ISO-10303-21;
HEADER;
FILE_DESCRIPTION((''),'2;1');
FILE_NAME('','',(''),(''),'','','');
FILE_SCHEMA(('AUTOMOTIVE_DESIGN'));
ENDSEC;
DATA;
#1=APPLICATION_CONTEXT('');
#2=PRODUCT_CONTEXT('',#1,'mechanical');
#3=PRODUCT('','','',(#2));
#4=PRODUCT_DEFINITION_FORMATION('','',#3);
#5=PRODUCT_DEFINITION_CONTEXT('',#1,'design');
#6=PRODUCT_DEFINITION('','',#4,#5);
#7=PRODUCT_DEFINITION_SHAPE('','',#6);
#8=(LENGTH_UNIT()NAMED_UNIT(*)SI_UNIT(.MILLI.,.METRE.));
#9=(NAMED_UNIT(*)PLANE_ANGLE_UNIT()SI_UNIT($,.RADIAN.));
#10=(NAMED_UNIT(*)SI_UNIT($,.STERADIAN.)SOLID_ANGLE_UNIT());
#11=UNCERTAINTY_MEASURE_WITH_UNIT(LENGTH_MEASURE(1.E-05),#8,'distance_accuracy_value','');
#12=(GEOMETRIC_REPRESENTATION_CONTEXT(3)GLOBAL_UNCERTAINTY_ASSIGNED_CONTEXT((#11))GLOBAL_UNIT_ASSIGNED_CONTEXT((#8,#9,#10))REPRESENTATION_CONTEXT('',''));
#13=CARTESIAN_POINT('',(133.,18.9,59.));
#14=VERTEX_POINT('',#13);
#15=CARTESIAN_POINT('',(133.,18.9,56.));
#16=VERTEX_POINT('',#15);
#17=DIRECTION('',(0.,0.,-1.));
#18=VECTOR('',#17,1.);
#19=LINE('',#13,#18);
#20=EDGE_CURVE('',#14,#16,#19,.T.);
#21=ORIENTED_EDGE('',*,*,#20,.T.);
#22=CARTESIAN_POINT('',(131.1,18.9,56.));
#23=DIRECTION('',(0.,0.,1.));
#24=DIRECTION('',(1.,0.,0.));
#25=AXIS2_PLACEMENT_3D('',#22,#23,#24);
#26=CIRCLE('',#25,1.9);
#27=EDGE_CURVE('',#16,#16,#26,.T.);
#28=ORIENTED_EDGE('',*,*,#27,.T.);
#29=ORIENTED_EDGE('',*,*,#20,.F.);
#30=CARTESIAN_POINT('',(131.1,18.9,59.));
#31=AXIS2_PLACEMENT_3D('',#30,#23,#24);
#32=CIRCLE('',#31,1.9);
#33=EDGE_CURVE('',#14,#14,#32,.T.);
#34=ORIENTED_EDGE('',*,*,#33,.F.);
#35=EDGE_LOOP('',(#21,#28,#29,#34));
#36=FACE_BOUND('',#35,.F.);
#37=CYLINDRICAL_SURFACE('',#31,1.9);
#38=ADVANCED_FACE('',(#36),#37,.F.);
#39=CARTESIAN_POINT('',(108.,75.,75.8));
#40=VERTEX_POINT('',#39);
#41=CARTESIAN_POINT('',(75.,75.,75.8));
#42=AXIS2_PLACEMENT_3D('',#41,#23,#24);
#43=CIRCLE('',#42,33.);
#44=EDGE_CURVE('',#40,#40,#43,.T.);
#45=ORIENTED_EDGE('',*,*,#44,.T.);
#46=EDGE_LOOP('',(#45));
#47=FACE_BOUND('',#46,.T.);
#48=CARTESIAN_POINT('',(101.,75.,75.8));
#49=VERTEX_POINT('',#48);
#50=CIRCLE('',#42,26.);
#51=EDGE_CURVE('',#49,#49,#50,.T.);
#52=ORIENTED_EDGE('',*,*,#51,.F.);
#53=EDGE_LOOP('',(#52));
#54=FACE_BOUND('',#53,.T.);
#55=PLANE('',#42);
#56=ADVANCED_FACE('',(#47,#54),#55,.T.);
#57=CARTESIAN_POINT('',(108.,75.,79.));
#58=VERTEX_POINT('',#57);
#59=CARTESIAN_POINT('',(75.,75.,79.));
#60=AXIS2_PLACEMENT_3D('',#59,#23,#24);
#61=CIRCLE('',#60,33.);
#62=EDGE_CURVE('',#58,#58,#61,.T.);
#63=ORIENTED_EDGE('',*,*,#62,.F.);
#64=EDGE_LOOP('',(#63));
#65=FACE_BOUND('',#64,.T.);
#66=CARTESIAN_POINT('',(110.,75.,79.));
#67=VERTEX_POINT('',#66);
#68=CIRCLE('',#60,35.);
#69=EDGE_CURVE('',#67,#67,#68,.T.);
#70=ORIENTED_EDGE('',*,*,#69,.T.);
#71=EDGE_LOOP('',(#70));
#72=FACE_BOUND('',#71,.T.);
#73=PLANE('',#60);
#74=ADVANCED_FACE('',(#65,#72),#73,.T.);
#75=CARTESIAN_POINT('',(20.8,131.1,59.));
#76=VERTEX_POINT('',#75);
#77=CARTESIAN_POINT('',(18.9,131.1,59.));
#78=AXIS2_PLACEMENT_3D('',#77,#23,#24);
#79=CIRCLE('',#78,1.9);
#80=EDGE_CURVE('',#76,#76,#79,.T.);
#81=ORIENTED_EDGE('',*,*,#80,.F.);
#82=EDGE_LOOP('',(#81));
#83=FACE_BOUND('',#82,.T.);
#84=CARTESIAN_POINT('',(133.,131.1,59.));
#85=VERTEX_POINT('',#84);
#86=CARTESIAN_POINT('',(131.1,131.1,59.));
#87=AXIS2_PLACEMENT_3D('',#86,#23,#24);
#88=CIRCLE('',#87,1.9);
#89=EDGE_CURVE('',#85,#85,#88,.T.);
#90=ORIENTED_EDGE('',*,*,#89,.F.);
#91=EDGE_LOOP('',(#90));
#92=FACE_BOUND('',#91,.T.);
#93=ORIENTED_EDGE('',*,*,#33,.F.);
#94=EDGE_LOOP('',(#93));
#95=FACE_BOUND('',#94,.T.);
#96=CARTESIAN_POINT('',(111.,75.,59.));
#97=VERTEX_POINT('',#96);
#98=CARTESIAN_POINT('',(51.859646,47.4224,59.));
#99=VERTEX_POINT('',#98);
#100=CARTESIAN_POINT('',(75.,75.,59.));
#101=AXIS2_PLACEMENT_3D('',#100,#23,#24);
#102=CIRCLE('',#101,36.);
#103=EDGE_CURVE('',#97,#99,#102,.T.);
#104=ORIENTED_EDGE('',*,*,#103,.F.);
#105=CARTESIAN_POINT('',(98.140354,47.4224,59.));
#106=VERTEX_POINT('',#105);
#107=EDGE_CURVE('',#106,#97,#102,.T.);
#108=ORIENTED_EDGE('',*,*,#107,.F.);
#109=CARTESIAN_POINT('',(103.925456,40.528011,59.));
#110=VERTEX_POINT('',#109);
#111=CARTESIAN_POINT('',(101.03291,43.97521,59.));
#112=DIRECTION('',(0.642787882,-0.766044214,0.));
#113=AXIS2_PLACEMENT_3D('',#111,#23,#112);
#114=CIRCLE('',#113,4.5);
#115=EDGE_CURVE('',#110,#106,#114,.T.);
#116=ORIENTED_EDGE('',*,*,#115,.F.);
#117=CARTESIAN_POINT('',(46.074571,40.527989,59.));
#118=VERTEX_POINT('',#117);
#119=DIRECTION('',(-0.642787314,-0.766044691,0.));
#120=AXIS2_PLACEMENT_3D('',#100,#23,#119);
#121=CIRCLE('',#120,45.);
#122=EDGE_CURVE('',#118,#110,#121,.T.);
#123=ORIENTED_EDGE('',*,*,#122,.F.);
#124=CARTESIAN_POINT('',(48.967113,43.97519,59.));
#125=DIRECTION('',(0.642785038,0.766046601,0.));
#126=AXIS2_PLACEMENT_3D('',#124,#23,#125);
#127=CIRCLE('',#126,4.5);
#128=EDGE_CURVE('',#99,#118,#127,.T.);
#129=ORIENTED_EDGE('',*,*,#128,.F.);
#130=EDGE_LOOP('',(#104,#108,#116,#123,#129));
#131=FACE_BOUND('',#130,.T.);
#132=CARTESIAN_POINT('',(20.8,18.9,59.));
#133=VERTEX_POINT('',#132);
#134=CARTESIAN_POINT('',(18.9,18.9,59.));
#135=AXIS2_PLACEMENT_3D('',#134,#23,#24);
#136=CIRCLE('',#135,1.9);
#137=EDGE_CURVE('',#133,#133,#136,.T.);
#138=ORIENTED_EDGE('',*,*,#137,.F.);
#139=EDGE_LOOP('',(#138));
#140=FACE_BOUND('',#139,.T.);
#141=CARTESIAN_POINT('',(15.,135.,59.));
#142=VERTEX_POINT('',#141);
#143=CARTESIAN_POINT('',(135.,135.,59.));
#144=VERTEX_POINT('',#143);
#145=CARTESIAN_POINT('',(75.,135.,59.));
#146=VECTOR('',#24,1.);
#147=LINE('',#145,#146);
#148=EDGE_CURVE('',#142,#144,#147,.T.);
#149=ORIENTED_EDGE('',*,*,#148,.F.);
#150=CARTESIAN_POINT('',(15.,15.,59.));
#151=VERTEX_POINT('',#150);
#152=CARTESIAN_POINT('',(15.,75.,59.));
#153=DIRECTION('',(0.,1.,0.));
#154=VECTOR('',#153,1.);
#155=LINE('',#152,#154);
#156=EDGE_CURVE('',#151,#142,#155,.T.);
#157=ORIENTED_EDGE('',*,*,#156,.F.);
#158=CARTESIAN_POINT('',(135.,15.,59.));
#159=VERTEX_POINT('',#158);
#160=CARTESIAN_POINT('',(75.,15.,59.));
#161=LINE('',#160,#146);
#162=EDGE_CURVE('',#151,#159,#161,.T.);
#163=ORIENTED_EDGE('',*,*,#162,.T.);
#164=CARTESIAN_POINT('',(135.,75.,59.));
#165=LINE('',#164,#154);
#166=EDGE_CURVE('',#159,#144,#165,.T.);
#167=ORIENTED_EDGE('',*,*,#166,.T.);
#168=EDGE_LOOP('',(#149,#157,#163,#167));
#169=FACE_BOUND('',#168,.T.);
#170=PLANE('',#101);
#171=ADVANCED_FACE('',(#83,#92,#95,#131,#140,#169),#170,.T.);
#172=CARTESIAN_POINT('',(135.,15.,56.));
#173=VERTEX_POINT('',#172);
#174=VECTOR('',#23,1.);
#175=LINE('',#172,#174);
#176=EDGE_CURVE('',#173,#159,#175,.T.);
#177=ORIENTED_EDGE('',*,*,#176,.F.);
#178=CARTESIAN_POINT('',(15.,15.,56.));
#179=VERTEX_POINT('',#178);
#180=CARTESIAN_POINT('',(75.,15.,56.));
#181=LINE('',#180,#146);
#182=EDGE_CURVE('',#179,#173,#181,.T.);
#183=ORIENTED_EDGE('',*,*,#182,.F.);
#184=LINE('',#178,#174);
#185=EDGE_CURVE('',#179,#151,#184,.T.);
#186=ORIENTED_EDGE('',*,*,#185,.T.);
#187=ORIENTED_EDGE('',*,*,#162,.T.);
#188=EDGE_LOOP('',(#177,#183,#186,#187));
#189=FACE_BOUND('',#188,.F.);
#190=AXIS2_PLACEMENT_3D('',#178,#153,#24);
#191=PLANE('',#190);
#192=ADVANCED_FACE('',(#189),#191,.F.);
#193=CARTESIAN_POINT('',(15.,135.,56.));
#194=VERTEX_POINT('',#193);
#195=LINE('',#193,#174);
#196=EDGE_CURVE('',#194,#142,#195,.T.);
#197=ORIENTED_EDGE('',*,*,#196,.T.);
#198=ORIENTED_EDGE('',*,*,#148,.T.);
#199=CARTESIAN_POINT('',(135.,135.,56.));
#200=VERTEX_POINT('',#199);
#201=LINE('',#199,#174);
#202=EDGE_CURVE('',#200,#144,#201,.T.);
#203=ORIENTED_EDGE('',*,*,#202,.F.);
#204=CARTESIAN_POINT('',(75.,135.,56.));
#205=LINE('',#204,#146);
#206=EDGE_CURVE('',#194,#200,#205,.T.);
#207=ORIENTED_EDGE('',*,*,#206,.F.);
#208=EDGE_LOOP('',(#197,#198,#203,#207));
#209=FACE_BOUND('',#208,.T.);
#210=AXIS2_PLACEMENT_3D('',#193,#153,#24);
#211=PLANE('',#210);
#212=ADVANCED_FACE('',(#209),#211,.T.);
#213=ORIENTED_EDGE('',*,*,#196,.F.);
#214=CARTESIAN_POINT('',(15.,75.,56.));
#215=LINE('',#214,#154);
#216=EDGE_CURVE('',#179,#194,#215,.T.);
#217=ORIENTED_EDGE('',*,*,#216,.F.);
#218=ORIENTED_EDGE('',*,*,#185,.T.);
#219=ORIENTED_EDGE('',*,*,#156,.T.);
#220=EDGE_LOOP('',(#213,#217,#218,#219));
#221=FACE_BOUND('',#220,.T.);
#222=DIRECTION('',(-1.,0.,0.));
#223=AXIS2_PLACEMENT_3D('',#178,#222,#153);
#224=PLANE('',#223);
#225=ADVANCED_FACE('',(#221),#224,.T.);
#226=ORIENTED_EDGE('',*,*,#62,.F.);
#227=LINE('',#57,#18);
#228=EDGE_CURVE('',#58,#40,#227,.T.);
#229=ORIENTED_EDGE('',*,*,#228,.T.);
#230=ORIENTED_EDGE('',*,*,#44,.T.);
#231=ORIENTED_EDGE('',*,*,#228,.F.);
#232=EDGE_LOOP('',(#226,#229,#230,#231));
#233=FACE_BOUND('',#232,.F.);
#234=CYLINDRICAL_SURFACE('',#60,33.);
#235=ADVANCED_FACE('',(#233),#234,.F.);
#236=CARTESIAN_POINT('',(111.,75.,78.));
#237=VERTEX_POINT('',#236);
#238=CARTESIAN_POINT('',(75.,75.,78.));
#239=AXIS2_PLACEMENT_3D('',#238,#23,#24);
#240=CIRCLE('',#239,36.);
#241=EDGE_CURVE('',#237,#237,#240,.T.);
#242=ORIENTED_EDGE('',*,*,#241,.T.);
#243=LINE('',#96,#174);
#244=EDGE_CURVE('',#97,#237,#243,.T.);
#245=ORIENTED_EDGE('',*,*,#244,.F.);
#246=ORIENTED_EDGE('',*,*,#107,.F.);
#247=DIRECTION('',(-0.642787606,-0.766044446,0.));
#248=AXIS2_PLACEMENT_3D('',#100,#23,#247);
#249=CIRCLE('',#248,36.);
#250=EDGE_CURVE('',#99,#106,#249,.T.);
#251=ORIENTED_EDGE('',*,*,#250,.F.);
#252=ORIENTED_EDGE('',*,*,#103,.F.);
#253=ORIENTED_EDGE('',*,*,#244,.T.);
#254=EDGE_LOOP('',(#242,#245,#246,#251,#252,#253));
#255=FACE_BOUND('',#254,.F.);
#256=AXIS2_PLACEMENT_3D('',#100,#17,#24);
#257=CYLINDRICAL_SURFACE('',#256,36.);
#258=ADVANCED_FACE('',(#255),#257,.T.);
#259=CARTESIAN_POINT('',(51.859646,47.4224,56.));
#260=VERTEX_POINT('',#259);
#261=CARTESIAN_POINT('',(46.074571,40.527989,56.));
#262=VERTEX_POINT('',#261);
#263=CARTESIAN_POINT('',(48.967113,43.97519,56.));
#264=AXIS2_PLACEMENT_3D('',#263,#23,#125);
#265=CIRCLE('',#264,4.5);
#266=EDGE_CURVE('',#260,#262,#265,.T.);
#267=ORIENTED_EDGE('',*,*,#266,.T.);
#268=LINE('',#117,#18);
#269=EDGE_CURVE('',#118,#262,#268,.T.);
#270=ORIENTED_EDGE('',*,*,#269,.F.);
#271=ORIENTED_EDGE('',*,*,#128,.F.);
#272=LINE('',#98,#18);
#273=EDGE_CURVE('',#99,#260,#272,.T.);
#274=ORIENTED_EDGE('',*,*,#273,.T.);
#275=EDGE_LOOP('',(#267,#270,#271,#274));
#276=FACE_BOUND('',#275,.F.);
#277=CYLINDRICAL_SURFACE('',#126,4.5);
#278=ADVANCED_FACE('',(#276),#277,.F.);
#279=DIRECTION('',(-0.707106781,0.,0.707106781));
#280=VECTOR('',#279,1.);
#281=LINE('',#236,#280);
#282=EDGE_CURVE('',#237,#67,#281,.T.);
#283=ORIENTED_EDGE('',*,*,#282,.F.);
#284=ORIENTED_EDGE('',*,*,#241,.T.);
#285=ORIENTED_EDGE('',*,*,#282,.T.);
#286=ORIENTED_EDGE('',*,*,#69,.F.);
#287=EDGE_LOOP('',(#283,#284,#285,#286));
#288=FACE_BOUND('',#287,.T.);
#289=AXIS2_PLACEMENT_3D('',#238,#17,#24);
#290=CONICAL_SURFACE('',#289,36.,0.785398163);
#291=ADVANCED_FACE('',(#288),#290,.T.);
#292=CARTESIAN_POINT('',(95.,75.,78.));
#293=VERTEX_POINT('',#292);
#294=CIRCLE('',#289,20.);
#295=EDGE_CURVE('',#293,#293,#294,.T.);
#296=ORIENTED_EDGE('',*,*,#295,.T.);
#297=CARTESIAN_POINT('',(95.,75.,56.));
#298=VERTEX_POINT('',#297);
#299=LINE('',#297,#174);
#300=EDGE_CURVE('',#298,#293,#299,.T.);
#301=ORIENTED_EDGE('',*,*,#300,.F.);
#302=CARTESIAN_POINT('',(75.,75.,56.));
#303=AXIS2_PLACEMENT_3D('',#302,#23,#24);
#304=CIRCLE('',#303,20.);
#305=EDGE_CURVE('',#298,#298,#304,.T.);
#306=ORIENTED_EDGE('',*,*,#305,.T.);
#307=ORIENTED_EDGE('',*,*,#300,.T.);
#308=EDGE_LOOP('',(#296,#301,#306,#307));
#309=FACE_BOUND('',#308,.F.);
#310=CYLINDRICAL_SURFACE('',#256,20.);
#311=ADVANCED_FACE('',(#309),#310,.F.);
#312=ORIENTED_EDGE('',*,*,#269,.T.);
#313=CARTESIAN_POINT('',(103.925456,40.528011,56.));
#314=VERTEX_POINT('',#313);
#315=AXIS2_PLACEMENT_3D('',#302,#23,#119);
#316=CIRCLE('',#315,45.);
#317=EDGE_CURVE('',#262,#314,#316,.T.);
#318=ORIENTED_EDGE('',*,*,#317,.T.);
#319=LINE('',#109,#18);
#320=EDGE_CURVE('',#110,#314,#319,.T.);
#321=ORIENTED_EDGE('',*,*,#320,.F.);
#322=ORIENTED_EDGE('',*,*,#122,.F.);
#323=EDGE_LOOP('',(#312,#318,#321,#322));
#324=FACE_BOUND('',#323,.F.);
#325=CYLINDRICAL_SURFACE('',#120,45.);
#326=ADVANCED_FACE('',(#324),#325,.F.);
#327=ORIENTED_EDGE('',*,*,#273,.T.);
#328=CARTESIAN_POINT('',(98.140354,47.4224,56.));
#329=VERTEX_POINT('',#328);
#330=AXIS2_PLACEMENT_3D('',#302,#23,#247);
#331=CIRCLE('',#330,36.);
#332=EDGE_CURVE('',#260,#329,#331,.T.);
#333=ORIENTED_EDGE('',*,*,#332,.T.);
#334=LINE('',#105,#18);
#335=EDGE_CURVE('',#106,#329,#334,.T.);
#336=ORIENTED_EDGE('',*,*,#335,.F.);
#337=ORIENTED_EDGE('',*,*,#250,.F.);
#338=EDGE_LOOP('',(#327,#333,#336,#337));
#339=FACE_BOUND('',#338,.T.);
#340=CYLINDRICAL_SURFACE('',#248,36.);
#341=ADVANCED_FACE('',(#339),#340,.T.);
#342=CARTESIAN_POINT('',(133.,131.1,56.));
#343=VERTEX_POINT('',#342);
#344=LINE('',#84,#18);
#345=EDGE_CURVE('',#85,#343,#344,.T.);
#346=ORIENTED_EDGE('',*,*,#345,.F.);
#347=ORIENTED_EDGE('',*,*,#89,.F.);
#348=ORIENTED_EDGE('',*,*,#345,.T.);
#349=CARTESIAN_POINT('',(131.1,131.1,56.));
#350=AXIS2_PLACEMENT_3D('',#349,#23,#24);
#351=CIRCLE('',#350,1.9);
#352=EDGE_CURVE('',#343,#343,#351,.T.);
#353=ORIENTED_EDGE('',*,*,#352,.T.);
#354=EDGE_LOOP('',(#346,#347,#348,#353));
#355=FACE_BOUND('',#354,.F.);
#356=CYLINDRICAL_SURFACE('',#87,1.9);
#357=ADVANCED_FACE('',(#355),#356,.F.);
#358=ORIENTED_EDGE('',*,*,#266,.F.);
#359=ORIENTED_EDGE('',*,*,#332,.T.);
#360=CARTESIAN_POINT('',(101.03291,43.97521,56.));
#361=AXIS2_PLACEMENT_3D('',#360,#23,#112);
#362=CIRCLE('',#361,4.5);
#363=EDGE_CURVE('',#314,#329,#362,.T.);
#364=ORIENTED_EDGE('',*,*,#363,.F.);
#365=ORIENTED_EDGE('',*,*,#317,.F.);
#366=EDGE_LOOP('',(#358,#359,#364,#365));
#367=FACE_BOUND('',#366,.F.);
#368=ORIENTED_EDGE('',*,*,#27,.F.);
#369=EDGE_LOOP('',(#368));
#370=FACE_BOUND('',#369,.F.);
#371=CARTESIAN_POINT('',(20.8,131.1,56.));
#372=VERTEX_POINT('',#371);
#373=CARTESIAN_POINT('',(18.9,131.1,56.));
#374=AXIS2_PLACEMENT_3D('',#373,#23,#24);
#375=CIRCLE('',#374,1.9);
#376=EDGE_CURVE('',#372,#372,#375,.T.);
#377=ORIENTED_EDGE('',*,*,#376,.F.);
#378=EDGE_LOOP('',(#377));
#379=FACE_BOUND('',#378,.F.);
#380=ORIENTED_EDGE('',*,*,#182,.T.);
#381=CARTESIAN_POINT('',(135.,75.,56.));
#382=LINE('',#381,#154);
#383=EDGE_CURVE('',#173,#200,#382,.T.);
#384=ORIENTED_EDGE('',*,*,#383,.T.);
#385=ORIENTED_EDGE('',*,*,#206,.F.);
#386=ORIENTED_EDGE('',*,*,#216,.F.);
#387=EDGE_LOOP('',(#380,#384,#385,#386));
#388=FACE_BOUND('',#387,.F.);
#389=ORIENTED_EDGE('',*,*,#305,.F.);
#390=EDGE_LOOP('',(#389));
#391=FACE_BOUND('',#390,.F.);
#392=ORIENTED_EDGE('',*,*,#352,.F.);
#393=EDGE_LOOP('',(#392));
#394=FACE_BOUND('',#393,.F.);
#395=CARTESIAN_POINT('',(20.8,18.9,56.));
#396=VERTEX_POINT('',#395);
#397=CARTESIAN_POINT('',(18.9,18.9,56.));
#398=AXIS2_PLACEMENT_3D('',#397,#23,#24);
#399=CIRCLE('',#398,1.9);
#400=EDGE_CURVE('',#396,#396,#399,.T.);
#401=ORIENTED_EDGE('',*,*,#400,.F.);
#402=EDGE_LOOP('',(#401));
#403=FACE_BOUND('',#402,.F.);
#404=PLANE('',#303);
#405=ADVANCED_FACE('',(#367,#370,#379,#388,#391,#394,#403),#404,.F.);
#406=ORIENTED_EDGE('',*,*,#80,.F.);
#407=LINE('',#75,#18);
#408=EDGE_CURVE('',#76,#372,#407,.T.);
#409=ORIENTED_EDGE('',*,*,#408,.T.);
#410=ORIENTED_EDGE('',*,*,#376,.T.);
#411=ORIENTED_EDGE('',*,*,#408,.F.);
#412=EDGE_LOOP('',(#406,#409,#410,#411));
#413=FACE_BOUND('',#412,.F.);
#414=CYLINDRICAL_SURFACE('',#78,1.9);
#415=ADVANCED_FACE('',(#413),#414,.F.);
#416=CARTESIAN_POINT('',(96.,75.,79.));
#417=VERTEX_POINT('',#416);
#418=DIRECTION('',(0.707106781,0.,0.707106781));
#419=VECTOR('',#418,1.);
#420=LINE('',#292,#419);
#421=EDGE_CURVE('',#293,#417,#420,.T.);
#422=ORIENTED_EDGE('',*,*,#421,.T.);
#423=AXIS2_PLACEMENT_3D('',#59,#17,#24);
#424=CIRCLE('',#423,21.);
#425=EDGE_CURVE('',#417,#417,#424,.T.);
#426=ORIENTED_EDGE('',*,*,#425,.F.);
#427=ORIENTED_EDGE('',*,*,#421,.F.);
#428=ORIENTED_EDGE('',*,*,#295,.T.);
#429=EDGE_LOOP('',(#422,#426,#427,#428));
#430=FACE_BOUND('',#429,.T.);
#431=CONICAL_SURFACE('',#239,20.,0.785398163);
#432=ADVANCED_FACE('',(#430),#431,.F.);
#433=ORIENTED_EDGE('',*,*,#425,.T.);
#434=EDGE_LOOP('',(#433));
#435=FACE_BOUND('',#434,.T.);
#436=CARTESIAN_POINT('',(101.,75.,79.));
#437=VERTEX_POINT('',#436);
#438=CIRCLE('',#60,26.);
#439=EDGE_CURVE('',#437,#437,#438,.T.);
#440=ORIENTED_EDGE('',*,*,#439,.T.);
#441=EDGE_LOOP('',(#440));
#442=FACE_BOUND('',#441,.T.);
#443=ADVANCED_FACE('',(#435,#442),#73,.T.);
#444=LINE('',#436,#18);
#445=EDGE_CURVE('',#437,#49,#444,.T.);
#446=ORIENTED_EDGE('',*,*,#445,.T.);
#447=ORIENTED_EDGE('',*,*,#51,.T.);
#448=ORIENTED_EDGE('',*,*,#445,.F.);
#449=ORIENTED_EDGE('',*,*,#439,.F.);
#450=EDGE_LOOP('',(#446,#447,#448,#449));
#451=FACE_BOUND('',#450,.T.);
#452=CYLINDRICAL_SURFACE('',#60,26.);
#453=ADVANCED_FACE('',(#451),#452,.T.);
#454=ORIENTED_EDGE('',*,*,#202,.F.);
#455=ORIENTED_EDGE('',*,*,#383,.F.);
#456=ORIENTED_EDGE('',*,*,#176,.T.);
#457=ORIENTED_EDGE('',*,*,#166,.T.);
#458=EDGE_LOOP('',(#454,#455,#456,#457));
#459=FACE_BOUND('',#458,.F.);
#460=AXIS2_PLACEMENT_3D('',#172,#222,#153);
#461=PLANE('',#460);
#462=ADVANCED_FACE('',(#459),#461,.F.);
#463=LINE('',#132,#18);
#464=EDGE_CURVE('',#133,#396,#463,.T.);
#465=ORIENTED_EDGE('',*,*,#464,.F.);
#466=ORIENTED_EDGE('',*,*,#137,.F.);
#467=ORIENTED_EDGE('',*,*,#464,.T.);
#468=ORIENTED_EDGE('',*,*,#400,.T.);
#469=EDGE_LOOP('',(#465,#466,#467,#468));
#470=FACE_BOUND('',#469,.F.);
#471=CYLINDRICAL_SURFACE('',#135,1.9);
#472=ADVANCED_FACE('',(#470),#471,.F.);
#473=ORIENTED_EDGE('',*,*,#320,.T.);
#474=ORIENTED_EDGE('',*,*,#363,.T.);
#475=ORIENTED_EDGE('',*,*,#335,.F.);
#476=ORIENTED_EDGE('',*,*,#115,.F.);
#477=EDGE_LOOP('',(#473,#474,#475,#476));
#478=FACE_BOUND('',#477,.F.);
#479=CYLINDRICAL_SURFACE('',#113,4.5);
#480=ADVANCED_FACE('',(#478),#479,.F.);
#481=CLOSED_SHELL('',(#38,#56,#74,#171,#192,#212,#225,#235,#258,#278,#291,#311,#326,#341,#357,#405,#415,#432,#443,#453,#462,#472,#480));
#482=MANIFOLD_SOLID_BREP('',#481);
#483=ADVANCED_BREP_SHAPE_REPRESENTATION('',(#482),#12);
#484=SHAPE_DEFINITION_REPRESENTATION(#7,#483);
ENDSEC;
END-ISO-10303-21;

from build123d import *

# Parameters (mm, degrees)
SKETCH054_W             = 120
SKETCH054_H             = 120
PAD015_DEPTH            = 3
SKETCH065_R             = 1.9
POCKET034_DEPTH         = 3.001
SKETCH064_R             = 20
POCKET036_DEPTH         = 3.001
SKETCH058_R             = 36
PAD013_DEPTH            = 20
SKETCH055_R             = 20
POCKET035_DEPTH         = 20.001
SKETCH056_R             = 33
SKETCH056_R_2           = 26
POCKET037_DEPTH         = 3.2
CHAMFER003_SIZE         = 1
CHAMFER002_SIZE         = 1
POCKET042_DEPTH         = 3.001
BODY007_PLACEMENT_ANGLE = 90


with BuildPart() as part:
    # Sketch054 → Pad015 (new body)
    with BuildSketch(Plane.XZ):
        with Locations((60, 60)):
            Rectangle(SKETCH054_W, SKETCH054_H)
    extrude(amount=PAD015_DEPTH)

    # Sketch065 (on Face6 of Pad015) → Pocket034 (cut, through all)
    with BuildSketch(Plane.XZ.offset(3)):
        with Locations((3.9, 3.9)):
            Circle(SKETCH065_R)
        with Locations((116.1, 3.9)):
            Circle(SKETCH065_R)
        with Locations((116.1, 116.1)):
            Circle(SKETCH065_R)
        with Locations((3.9, 116.1)):
            Circle(SKETCH065_R)
    extrude(amount=-POCKET034_DEPTH, mode=Mode.SUBTRACT)

    # Sketch064 (on Face5 of Pocket034) → Pocket036 (cut, through all)
    with BuildSketch(Plane.XZ.offset(3)):
        with Locations((60, 60)):
            Circle(SKETCH064_R)
    extrude(amount=-POCKET036_DEPTH, mode=Mode.SUBTRACT)

    # Sketch058 (on Face5 of Pocket036) → Pad013 (join)
    with BuildSketch(Plane.XZ.offset(3)):
        with Locations((60, 60)):
            Circle(SKETCH058_R)
    extrude(amount=PAD013_DEPTH)

    # Sketch055 (on Face13 of Pad013) → Pocket035 (cut, through all)
    with BuildSketch(Plane(origin=(0, -3, 0), x_dir=(1, 0, 0), z_dir=(0, 1, 0))):
        with Locations((60, -60)):
            Circle(SKETCH055_R)
    extrude(amount=-POCKET035_DEPTH, mode=Mode.SUBTRACT)

    # Sketch056 (on Face14 of Pocket035) → Pocket037 (cut)
    with BuildSketch(Plane.XZ.offset(23)):
        with Locations((60, 60)):
            Circle(SKETCH056_R)
        with Locations((60, 60)):
            Circle(SKETCH056_R_2, mode=Mode.SUBTRACT)
    extrude(amount=-POCKET037_DEPTH, mode=Mode.SUBTRACT)

    # Chamfer003
    chamfer003_edges = [part.edges().sort_by_distance(p)[0] for p in [
        (40, -23, 60),
    ]]
    chamfer(chamfer003_edges, length=CHAMFER003_SIZE)

    # Chamfer002
    chamfer002_edges = [part.edges().sort_by_distance(p)[0] for p in [
        (24, -23, 60),
    ]]
    chamfer(chamfer002_edges, length=CHAMFER002_SIZE)

    # Sketch066 (on Face3 of Chamfer002) → Pocket042 (cut, through all)
    with BuildSketch(Plane.XZ.offset(3)):
        with BuildLine():
            ThreePointArc((36.859646, 32.4224), (60, 24), (83.140354, 32.4224))
            ThreePointArc((88.925456, 25.528011), (89.480105, 31.867761), (83.140354, 32.4224))
            ThreePointArc((31.074571, 25.527989), (60.000017, 15), (88.925456, 25.528011))
            ThreePointArc((36.859646, 32.4224), (30.519908, 31.867728), (31.074571, 25.527989))
        make_face()
    extrude(amount=-POCKET042_DEPTH, mode=Mode.SUBTRACT)


with BuildPart() as part_1:
    # Body007 placement: moved
    add(part.part.moved(Location((15, 15, 56))).rotate(Axis((15, 15, 56), (-1, 0, 0)), BODY007_PLACEMENT_ANGLE))


solid = part_1.part
